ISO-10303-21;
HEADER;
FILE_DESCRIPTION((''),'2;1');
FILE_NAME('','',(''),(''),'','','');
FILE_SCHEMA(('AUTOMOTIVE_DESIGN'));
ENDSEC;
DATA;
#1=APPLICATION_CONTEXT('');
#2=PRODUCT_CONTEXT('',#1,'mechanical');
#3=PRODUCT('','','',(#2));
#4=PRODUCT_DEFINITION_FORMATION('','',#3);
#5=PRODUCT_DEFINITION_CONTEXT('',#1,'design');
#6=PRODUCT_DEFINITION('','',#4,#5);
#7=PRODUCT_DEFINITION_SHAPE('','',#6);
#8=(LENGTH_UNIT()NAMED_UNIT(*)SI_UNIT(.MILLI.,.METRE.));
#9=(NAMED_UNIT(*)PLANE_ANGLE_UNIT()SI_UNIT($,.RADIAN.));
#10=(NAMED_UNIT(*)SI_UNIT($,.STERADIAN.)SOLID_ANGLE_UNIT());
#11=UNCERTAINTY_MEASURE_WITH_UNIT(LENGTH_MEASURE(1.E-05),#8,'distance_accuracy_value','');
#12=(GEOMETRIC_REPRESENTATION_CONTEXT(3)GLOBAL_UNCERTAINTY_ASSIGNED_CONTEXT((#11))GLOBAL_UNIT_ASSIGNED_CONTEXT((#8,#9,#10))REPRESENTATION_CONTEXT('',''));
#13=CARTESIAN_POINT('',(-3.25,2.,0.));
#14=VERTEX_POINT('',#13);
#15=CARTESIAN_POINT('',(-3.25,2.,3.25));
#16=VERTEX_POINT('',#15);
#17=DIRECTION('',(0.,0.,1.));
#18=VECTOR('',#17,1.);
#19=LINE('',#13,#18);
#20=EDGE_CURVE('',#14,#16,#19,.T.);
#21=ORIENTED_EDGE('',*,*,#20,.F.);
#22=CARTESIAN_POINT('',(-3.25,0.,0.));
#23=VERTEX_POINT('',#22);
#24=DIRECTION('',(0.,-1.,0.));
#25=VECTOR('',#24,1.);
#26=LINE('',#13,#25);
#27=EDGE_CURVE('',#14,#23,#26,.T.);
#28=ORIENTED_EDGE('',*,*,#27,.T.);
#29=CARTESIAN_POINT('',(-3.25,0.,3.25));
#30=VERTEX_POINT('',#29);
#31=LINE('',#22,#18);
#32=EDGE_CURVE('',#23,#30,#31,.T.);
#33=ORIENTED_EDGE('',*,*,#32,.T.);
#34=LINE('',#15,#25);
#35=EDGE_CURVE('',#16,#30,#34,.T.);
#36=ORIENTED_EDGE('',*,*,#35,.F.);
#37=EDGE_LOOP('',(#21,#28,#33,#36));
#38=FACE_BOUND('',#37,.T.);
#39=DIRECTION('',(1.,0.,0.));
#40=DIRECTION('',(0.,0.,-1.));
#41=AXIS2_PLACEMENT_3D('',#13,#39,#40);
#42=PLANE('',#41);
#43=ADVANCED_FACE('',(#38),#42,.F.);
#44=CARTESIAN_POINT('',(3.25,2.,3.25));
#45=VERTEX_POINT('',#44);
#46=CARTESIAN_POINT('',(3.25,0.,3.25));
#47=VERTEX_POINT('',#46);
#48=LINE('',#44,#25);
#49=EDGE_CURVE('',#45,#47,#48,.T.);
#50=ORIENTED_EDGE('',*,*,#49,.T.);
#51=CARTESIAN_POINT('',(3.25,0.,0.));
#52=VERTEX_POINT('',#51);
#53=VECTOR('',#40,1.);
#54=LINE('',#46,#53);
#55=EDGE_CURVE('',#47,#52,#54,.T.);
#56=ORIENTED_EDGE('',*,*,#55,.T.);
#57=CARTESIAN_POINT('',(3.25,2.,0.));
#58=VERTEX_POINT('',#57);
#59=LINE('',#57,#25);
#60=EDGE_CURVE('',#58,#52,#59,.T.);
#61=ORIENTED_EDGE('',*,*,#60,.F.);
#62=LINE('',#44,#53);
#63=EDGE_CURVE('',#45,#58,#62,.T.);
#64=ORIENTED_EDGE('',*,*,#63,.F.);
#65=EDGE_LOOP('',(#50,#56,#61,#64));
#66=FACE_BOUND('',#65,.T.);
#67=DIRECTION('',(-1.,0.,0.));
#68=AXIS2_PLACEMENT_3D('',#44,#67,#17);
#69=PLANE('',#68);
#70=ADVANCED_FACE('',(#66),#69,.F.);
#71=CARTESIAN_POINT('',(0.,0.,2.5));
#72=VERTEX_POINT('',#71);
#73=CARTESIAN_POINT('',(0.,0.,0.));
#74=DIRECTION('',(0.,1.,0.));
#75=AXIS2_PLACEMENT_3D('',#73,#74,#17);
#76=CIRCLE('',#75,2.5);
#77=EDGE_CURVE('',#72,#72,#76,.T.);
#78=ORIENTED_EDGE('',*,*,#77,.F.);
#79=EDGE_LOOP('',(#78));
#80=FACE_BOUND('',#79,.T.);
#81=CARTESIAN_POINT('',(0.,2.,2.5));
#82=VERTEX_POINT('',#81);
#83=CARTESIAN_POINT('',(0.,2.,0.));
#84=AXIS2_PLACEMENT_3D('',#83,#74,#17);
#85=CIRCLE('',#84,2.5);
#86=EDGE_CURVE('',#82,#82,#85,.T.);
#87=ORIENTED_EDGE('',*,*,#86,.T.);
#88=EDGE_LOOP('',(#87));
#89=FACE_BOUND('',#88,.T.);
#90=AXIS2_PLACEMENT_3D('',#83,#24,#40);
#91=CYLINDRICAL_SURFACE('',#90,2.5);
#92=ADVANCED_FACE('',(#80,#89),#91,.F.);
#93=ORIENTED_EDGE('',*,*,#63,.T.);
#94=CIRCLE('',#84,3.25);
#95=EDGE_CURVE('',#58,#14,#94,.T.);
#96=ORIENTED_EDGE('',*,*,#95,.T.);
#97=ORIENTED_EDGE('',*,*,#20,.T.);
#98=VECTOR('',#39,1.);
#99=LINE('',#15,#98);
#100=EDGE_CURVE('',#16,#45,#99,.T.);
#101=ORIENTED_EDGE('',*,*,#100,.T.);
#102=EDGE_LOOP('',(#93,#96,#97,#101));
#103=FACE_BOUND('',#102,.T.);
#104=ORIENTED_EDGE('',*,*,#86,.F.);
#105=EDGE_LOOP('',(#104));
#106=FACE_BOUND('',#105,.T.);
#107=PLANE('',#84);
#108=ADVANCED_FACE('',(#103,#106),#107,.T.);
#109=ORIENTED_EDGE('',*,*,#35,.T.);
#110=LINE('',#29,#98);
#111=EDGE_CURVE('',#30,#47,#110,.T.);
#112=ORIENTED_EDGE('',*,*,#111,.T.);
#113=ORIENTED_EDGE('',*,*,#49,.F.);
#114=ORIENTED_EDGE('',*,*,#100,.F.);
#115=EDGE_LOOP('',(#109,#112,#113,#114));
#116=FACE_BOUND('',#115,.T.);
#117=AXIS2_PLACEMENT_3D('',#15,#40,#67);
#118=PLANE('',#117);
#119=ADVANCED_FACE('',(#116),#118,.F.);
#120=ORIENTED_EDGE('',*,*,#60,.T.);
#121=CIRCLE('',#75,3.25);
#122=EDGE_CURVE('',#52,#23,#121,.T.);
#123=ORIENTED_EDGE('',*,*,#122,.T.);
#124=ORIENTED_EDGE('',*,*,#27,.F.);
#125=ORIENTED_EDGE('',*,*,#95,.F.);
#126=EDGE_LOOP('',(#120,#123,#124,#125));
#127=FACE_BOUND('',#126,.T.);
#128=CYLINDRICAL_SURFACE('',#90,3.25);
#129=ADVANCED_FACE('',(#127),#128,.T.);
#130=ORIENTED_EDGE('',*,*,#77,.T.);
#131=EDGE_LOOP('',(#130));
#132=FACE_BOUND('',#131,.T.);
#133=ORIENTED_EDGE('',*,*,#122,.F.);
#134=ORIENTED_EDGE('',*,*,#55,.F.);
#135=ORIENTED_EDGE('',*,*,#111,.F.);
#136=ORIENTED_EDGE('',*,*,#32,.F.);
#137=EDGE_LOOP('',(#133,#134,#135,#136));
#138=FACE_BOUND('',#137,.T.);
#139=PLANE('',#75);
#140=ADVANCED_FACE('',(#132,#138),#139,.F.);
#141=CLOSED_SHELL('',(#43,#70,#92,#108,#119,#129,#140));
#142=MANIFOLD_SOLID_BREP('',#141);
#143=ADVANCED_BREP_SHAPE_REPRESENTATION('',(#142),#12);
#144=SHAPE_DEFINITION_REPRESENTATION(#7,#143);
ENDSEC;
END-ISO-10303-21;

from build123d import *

# Parameters (mm, degrees)
SKETCH1_R           = 2.5
BOSS_EXTRUDE1_DEPTH = 2


with BuildPart() as part:
    # Sketch1 → Boss-Extrude1 (new body)
    with BuildSketch(Plane(origin=(0, 0, 0), x_dir=(1, 0, 0), z_dir=(0, 1, 0))):
        with BuildLine():
            Line((-3.25, 0), (-3.25, -3.25))
            Line((-3.25, -3.25), (3.25, -3.25))
            Line((3.25, -3.25), (3.25, 0))
            ThreePointArc((3.25, 0), (0, 3.25), (-3.25, 0))
        make_face()
        with Locations(Location((0, 0, 0), (0, 0, 270))):
            Circle(SKETCH1_R, mode=Mode.SUBTRACT)
    extrude(amount=BOSS_EXTRUDE1_DEPTH)


solid = part.part
